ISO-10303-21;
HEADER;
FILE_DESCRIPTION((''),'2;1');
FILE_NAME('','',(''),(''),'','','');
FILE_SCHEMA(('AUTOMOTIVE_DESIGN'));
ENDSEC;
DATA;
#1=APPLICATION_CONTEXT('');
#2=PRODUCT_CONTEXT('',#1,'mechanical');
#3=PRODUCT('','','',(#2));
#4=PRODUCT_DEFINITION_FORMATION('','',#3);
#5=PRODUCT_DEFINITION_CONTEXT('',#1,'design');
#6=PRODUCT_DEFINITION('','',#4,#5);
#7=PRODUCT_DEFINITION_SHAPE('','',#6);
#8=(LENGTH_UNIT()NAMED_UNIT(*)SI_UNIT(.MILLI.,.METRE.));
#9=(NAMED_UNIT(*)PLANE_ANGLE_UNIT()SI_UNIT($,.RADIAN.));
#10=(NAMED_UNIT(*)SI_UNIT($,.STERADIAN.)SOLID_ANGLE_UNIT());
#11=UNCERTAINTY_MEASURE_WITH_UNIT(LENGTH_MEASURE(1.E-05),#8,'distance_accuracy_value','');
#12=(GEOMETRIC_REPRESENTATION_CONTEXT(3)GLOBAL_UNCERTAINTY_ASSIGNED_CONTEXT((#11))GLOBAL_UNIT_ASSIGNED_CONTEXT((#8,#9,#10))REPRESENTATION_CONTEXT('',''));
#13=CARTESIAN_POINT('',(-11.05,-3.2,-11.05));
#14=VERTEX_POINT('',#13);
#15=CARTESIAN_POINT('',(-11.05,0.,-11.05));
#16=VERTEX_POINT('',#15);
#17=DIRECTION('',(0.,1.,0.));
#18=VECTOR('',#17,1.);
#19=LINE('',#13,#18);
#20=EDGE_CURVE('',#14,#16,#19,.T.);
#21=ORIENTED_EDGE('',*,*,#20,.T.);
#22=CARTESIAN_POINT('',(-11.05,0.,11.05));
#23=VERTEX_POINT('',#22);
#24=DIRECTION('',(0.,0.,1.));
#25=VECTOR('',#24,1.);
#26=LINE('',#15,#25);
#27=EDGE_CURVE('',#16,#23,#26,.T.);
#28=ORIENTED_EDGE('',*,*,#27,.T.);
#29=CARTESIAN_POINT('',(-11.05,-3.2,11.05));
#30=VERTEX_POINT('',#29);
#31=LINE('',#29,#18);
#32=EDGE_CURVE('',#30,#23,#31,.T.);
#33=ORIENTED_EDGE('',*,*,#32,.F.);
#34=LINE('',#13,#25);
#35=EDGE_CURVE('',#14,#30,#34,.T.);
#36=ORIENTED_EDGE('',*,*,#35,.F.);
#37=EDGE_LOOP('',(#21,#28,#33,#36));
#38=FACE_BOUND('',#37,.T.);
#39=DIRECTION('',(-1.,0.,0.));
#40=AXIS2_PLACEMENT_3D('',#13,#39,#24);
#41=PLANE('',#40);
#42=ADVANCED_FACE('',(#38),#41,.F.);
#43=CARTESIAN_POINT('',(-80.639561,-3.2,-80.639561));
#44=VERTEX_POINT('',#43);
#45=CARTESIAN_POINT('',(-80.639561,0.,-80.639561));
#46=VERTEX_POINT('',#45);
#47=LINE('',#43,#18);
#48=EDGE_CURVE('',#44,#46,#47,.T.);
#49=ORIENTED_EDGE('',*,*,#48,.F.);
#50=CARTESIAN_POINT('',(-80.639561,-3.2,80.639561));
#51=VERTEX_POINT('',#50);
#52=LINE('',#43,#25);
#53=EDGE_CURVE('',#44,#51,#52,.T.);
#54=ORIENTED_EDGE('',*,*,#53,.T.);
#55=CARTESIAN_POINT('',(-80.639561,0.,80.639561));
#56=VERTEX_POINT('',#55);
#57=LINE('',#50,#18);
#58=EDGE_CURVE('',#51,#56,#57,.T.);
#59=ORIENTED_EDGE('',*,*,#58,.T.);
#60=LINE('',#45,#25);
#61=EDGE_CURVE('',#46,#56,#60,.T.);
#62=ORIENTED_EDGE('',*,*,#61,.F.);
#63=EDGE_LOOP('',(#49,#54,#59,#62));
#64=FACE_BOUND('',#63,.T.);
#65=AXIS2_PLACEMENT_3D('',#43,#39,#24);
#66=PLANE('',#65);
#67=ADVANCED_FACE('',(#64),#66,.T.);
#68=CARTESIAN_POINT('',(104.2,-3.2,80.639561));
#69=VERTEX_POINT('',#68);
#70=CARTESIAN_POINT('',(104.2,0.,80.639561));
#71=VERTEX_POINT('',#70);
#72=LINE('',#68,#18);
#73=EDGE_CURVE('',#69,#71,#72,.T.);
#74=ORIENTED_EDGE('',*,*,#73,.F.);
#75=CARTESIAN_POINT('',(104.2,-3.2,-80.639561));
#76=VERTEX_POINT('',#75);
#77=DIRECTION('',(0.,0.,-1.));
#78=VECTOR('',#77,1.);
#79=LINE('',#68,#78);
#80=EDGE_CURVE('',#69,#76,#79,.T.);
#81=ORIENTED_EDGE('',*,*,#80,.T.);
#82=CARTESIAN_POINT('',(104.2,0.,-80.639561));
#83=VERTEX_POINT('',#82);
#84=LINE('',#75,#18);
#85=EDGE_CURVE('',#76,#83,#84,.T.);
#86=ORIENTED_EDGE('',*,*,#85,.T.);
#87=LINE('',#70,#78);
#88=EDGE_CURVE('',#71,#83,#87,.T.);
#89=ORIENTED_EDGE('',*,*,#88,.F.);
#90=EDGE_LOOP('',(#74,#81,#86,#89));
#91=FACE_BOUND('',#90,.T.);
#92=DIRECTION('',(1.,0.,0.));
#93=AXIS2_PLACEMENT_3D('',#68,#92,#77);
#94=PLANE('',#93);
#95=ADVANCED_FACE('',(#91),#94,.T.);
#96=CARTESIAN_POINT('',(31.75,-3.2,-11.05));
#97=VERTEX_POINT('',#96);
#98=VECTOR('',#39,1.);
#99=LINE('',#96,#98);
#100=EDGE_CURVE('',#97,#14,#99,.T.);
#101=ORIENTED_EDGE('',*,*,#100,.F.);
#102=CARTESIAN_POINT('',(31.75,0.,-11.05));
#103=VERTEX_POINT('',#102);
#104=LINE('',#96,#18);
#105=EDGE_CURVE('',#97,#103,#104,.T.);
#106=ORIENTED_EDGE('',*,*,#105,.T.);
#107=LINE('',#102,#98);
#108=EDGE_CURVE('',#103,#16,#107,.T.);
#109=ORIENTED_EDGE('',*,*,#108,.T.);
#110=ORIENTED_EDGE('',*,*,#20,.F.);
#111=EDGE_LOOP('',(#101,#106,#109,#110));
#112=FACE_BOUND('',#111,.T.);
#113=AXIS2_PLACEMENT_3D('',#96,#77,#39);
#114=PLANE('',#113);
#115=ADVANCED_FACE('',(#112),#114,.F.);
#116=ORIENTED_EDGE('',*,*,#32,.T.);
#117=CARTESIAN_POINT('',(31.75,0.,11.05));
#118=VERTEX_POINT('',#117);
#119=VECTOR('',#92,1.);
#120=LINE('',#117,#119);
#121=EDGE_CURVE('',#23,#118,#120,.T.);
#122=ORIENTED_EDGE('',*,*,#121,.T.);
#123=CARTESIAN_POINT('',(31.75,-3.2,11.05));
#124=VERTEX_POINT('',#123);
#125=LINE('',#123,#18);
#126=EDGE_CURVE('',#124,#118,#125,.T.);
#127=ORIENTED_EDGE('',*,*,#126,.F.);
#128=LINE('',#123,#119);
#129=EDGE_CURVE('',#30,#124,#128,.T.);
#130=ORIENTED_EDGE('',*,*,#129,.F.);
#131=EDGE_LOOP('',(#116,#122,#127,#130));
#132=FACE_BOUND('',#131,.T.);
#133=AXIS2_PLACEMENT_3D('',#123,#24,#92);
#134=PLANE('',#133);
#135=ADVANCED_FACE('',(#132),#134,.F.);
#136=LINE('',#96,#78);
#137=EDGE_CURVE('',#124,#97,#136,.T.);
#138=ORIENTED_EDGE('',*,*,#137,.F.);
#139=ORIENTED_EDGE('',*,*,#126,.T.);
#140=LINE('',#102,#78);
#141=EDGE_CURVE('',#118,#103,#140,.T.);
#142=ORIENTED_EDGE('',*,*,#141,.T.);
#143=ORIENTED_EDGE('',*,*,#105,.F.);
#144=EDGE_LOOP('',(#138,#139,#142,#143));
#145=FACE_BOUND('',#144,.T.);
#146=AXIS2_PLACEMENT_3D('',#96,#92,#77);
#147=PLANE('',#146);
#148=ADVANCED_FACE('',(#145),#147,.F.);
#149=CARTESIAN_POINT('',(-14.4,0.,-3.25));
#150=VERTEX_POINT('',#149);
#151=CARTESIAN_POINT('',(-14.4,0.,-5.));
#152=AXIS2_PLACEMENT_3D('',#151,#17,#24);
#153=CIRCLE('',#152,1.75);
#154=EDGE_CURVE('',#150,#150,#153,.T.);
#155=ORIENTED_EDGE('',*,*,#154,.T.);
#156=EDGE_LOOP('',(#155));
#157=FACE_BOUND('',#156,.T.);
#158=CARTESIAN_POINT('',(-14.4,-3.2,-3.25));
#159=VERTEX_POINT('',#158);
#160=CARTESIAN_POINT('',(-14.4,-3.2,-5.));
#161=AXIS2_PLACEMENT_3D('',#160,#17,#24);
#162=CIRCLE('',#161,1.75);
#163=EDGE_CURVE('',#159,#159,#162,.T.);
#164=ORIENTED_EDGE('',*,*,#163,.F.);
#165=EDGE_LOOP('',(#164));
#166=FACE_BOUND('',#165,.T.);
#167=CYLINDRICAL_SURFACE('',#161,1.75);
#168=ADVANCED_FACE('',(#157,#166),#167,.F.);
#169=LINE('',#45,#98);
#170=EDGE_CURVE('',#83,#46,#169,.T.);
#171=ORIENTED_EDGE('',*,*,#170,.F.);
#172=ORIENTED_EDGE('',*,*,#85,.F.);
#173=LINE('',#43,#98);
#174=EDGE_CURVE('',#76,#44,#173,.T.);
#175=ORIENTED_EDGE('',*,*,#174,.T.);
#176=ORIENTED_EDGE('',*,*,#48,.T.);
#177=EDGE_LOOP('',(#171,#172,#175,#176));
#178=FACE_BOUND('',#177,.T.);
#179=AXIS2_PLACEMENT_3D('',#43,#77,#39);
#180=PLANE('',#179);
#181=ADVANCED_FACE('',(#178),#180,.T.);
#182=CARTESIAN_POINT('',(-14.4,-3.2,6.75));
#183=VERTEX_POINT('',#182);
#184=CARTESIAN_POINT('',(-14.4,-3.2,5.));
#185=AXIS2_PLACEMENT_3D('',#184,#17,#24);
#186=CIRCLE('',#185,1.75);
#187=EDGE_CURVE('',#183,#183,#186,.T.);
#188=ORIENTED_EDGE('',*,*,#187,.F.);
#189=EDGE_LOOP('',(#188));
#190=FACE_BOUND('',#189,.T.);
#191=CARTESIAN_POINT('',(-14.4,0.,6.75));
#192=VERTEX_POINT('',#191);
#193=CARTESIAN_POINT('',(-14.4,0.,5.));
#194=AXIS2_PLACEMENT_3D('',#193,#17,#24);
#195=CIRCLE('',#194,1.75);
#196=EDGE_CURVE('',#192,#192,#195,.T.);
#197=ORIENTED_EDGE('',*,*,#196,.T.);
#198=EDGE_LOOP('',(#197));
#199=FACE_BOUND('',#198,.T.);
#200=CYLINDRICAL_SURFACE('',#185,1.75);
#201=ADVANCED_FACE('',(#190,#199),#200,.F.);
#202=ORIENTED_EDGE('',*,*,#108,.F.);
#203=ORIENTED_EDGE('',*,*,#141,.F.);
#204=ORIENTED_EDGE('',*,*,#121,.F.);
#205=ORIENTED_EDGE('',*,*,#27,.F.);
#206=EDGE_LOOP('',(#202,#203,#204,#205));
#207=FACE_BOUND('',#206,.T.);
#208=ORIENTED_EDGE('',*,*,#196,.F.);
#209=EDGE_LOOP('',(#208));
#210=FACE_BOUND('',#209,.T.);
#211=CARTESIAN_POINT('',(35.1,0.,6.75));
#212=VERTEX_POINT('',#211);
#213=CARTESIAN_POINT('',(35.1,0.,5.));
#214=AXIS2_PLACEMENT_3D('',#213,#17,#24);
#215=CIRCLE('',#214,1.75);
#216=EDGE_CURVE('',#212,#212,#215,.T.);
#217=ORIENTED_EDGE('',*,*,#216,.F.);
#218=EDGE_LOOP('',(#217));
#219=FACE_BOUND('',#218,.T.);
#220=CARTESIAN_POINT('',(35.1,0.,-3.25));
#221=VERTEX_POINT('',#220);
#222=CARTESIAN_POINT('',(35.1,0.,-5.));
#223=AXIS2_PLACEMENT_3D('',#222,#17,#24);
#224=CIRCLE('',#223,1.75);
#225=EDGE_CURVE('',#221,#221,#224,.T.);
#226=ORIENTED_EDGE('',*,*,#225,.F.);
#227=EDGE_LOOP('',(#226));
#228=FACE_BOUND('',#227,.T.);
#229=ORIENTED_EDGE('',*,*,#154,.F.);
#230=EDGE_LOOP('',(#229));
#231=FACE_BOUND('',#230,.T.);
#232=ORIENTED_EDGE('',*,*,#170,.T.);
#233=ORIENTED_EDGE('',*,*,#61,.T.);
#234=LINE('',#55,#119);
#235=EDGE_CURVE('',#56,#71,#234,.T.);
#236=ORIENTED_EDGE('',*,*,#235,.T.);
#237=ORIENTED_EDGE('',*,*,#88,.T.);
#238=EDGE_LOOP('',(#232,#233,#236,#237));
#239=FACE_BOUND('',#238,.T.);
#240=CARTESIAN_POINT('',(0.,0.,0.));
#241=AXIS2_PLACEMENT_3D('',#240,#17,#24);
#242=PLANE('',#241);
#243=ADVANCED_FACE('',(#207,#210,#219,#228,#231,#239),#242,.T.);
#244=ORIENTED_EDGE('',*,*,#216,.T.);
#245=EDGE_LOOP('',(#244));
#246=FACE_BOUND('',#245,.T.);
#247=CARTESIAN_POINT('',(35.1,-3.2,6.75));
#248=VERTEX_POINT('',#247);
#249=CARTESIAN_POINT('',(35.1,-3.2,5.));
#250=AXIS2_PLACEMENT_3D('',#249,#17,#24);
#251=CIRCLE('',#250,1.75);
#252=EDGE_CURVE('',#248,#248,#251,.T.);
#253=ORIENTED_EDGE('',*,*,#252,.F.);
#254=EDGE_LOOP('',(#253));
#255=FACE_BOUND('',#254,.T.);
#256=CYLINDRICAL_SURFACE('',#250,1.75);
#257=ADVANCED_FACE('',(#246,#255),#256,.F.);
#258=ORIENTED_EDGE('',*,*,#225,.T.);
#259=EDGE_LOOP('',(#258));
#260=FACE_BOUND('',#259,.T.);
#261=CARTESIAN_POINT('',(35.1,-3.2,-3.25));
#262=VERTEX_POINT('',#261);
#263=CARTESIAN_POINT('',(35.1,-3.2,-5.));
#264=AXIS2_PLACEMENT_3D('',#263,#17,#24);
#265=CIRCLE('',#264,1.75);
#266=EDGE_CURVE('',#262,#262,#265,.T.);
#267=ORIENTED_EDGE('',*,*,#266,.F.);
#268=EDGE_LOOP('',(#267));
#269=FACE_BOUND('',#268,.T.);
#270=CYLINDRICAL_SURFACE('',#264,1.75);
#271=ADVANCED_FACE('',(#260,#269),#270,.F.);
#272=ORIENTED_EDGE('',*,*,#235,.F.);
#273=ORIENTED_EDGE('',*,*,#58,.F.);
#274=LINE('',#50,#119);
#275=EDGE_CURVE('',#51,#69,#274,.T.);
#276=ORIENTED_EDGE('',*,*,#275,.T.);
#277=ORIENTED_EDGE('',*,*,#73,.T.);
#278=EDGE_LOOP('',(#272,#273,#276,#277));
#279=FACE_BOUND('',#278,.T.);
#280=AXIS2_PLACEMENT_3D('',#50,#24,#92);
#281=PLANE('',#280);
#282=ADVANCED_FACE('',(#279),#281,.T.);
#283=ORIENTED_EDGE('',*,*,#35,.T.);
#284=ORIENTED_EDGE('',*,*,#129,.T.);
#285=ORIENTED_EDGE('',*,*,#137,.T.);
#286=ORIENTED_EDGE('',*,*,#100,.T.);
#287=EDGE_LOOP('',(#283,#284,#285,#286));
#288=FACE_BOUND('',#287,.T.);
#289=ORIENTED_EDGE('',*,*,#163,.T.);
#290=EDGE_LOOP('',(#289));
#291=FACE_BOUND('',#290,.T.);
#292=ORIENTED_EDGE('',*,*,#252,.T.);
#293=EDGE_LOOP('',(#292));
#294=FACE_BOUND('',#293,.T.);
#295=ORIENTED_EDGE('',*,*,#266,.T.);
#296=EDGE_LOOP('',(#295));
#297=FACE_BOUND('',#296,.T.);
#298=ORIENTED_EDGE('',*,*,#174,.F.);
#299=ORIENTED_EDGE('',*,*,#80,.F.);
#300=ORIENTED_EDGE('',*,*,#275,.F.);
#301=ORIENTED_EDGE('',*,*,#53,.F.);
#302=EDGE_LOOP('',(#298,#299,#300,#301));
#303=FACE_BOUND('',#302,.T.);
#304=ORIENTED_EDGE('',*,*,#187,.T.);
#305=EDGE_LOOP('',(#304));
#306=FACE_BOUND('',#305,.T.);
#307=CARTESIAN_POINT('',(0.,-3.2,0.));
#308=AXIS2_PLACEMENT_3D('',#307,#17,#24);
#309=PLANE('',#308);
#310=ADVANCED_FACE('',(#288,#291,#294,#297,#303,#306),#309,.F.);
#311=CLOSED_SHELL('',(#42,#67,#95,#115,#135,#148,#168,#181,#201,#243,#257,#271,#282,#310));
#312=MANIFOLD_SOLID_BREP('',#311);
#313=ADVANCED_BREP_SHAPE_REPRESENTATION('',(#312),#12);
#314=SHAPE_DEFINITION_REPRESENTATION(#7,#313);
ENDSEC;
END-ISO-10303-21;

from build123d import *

# Parameters (mm, degrees)
SKETCH1_W           = 184.839561026
SKETCH1_H           = 161.279122052
SKETCH1_R           = 1.75
SKETCH1_W_2         = 42.8
SKETCH1_H_2         = 22.1
BOSS_EXTRUDE1_DEPTH = 3.2


with BuildPart() as part:
    # Sketch1 → Boss-Extrude1 (new body)
    with BuildSketch(Plane(origin=(0, 0, 0), x_dir=(1, 0, 0), z_dir=(0, 1, 0))):
        with Locations((11.780219487, 0)):
            Rectangle(SKETCH1_W, SKETCH1_H)
        with Locations(Location((-14.4, 5, 0), (0, 0, 270))):
            Circle(SKETCH1_R, mode=Mode.SUBTRACT)
        with Locations(Location((-14.4, -5, 0), (0, 0, 270))):
            Circle(SKETCH1_R, mode=Mode.SUBTRACT)
        with Locations(Location((35.1, -5, 0), (0, 0, 270))):
            Circle(SKETCH1_R, mode=Mode.SUBTRACT)
        with Locations(Location((35.1, 5, 0), (0, 0, 270))):
            Circle(SKETCH1_R, mode=Mode.SUBTRACT)
        with Locations((10.35, 0)):
            Rectangle(SKETCH1_W_2, SKETCH1_H_2, mode=Mode.SUBTRACT)
    extrude(amount=-BOSS_EXTRUDE1_DEPTH)


solid = part.part
